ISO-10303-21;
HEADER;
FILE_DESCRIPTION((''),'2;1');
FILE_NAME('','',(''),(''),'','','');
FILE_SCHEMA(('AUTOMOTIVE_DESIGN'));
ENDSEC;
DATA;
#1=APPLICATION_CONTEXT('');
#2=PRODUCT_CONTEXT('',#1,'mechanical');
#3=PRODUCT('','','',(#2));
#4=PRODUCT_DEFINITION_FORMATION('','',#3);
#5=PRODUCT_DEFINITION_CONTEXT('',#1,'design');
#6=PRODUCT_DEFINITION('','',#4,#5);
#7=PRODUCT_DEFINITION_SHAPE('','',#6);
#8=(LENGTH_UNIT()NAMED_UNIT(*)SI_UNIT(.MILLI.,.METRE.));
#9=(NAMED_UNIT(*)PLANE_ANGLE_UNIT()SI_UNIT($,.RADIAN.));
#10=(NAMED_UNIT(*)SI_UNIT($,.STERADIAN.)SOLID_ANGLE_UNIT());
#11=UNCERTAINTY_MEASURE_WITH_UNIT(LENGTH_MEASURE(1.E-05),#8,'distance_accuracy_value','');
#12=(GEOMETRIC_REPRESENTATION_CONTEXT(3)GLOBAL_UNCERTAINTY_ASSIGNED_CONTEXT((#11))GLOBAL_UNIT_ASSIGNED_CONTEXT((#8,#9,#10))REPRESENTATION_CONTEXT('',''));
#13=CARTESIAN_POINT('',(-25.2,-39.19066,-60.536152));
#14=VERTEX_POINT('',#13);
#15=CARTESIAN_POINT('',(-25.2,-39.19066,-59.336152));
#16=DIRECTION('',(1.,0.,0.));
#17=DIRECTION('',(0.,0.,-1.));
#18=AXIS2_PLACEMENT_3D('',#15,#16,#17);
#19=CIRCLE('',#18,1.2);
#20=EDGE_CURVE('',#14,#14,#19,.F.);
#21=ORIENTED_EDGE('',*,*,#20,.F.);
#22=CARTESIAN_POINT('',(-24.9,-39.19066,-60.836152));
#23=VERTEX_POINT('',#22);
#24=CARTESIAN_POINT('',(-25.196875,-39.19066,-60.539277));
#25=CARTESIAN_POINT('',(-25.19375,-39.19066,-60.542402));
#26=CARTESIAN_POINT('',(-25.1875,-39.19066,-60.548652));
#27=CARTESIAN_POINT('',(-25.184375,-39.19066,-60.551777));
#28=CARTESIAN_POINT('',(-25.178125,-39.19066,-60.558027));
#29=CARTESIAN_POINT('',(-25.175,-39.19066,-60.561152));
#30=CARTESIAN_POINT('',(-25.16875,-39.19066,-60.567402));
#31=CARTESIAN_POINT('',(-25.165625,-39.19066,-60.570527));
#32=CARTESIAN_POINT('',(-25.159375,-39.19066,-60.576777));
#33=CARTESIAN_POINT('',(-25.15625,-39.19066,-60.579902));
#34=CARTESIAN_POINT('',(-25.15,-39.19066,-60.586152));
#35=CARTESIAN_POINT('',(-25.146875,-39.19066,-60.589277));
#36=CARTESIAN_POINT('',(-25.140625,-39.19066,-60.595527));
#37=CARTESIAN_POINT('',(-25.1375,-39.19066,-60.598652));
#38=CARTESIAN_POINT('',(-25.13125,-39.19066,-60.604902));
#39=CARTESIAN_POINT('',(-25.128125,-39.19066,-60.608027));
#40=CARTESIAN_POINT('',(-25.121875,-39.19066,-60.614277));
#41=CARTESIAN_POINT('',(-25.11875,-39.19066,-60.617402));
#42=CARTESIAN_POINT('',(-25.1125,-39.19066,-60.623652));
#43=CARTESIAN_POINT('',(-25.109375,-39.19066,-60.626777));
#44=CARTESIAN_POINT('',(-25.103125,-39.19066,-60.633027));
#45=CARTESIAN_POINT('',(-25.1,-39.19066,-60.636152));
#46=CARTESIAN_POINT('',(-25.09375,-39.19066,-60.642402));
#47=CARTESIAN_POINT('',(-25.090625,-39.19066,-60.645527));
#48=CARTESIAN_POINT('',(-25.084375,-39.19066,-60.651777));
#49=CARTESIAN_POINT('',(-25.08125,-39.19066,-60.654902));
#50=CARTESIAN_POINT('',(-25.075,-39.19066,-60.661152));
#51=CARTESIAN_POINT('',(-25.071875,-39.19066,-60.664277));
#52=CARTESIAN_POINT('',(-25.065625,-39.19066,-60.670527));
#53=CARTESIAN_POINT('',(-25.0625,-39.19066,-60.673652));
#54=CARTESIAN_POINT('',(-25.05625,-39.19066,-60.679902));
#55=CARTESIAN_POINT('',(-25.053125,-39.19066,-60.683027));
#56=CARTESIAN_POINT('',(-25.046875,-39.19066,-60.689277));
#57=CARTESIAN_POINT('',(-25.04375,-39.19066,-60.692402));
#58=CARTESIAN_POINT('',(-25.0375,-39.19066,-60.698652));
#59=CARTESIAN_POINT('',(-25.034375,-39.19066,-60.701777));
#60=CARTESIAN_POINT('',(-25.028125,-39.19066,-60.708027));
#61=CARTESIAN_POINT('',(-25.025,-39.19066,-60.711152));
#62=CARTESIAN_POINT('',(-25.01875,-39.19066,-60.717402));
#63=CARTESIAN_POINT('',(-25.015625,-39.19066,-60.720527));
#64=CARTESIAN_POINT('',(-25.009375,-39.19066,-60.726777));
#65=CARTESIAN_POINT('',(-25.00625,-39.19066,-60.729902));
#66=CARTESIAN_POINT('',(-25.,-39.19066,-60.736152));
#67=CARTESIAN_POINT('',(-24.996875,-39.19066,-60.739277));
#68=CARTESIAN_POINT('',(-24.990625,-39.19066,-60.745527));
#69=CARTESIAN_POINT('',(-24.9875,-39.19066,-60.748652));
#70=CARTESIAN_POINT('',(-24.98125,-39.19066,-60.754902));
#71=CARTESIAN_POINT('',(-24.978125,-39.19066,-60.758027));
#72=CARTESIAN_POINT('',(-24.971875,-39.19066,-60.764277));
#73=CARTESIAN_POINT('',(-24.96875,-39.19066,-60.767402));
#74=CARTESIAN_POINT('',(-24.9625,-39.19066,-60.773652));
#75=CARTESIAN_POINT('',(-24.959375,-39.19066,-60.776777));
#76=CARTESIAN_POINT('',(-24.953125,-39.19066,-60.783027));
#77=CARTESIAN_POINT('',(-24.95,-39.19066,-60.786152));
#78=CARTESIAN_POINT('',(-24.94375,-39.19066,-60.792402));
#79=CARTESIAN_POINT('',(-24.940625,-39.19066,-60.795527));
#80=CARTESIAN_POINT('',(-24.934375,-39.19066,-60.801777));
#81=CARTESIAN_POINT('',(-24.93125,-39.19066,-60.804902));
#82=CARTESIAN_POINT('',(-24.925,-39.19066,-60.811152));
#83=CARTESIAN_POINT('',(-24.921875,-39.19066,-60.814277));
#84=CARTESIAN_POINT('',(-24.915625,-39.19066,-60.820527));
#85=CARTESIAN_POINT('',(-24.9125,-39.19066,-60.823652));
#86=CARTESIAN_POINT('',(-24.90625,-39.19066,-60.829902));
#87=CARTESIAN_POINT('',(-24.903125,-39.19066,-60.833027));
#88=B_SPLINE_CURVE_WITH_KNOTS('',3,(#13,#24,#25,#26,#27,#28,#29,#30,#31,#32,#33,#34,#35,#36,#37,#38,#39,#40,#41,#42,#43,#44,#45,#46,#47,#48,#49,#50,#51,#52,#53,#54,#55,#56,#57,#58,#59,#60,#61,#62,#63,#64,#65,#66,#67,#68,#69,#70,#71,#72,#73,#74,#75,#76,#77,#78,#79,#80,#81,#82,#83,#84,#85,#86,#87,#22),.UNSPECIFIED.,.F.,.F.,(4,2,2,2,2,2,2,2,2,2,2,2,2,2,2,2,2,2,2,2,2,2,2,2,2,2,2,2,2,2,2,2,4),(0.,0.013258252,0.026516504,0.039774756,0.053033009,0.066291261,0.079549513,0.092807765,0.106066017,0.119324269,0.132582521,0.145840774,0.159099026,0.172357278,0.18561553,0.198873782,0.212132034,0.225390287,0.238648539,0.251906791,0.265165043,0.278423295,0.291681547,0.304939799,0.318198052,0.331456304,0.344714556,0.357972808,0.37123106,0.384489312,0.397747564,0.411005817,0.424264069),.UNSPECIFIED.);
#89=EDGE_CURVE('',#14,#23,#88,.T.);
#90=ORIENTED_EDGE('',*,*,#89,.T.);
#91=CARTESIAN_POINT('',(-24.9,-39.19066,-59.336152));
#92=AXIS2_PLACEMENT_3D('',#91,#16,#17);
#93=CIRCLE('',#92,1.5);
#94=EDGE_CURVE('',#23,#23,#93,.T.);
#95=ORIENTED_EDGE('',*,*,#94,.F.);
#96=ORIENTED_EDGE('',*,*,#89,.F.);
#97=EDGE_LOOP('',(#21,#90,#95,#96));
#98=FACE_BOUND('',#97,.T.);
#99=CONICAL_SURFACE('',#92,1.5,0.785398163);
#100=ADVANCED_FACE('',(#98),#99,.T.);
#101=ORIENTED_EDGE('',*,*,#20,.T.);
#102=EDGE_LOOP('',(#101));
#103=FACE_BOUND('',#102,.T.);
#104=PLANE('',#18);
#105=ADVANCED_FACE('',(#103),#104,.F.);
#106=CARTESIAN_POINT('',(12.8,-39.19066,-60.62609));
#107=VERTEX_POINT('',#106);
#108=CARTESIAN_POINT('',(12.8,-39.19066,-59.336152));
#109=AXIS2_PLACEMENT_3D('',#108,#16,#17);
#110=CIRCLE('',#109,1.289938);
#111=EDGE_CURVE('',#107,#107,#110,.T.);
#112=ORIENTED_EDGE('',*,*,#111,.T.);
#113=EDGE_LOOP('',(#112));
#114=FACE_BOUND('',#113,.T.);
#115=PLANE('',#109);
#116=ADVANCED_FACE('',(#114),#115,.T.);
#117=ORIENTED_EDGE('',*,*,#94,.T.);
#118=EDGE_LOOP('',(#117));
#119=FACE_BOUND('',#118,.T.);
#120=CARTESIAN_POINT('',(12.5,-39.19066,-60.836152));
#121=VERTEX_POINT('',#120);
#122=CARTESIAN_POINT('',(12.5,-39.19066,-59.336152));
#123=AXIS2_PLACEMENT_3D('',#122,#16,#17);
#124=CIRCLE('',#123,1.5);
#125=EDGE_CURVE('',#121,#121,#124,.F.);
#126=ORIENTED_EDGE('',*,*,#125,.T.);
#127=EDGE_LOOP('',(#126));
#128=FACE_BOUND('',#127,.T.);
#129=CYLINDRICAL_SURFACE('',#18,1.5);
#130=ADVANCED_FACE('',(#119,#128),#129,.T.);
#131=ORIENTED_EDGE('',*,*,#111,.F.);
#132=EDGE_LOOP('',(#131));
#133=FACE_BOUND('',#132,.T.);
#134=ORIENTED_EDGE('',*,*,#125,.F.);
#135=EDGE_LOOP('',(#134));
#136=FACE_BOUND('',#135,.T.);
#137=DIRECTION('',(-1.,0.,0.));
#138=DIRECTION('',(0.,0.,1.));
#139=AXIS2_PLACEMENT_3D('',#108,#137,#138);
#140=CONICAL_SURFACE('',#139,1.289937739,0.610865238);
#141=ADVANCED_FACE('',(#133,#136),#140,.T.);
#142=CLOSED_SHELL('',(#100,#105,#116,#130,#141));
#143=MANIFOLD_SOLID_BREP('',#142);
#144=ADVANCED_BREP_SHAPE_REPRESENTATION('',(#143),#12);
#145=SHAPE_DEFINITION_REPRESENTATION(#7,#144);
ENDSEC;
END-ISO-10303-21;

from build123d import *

# Parameters (mm, degrees)
ESQUISSE2_R        = 1.5
BOSS_EXTRU_1_DEPTH = 38
CHANFREIN4_SIZE    = 0.3
CHANFREIN4_SIZE2   = 0.210062261
CHANFREIN5_SIZE    = 0.3


with BuildPart() as part:
    # Esquisse2 → Boss.-Extru.1 (new body)
    with BuildSketch(Plane(origin=(12.8, 0, 0), x_dir=(0, 0, -1), z_dir=(1, 0, 0))):
        with Locations((59.336151833, -39.190660447)):
            Circle(ESQUISSE2_R)
    extrude(amount=-BOSS_EXTRU_1_DEPTH)

    # Chanfrein4
    chanfrein4_edges = [part.edges().sort_by_distance(p)[0] for p in [
        (12.8, -39.190660447, -57.836151833),
    ]]
    chanfrein4_side = [part.faces().sort_by_distance(p)[0] for p in [
        (-6.2, -39.190660447, -57.836151833),
    ]]
    chamfer(chanfrein4_edges, length=CHANFREIN4_SIZE, length2=CHANFREIN4_SIZE2, reference=chanfrein4_side[0])

    # Chanfrein5
    chanfrein5_edges = [part.edges().sort_by_distance(p)[0] for p in [
        (-25.2, -39.190660447, -57.836151833),
    ]]
    chamfer(chanfrein5_edges, length=CHANFREIN5_SIZE)


solid = part.part
